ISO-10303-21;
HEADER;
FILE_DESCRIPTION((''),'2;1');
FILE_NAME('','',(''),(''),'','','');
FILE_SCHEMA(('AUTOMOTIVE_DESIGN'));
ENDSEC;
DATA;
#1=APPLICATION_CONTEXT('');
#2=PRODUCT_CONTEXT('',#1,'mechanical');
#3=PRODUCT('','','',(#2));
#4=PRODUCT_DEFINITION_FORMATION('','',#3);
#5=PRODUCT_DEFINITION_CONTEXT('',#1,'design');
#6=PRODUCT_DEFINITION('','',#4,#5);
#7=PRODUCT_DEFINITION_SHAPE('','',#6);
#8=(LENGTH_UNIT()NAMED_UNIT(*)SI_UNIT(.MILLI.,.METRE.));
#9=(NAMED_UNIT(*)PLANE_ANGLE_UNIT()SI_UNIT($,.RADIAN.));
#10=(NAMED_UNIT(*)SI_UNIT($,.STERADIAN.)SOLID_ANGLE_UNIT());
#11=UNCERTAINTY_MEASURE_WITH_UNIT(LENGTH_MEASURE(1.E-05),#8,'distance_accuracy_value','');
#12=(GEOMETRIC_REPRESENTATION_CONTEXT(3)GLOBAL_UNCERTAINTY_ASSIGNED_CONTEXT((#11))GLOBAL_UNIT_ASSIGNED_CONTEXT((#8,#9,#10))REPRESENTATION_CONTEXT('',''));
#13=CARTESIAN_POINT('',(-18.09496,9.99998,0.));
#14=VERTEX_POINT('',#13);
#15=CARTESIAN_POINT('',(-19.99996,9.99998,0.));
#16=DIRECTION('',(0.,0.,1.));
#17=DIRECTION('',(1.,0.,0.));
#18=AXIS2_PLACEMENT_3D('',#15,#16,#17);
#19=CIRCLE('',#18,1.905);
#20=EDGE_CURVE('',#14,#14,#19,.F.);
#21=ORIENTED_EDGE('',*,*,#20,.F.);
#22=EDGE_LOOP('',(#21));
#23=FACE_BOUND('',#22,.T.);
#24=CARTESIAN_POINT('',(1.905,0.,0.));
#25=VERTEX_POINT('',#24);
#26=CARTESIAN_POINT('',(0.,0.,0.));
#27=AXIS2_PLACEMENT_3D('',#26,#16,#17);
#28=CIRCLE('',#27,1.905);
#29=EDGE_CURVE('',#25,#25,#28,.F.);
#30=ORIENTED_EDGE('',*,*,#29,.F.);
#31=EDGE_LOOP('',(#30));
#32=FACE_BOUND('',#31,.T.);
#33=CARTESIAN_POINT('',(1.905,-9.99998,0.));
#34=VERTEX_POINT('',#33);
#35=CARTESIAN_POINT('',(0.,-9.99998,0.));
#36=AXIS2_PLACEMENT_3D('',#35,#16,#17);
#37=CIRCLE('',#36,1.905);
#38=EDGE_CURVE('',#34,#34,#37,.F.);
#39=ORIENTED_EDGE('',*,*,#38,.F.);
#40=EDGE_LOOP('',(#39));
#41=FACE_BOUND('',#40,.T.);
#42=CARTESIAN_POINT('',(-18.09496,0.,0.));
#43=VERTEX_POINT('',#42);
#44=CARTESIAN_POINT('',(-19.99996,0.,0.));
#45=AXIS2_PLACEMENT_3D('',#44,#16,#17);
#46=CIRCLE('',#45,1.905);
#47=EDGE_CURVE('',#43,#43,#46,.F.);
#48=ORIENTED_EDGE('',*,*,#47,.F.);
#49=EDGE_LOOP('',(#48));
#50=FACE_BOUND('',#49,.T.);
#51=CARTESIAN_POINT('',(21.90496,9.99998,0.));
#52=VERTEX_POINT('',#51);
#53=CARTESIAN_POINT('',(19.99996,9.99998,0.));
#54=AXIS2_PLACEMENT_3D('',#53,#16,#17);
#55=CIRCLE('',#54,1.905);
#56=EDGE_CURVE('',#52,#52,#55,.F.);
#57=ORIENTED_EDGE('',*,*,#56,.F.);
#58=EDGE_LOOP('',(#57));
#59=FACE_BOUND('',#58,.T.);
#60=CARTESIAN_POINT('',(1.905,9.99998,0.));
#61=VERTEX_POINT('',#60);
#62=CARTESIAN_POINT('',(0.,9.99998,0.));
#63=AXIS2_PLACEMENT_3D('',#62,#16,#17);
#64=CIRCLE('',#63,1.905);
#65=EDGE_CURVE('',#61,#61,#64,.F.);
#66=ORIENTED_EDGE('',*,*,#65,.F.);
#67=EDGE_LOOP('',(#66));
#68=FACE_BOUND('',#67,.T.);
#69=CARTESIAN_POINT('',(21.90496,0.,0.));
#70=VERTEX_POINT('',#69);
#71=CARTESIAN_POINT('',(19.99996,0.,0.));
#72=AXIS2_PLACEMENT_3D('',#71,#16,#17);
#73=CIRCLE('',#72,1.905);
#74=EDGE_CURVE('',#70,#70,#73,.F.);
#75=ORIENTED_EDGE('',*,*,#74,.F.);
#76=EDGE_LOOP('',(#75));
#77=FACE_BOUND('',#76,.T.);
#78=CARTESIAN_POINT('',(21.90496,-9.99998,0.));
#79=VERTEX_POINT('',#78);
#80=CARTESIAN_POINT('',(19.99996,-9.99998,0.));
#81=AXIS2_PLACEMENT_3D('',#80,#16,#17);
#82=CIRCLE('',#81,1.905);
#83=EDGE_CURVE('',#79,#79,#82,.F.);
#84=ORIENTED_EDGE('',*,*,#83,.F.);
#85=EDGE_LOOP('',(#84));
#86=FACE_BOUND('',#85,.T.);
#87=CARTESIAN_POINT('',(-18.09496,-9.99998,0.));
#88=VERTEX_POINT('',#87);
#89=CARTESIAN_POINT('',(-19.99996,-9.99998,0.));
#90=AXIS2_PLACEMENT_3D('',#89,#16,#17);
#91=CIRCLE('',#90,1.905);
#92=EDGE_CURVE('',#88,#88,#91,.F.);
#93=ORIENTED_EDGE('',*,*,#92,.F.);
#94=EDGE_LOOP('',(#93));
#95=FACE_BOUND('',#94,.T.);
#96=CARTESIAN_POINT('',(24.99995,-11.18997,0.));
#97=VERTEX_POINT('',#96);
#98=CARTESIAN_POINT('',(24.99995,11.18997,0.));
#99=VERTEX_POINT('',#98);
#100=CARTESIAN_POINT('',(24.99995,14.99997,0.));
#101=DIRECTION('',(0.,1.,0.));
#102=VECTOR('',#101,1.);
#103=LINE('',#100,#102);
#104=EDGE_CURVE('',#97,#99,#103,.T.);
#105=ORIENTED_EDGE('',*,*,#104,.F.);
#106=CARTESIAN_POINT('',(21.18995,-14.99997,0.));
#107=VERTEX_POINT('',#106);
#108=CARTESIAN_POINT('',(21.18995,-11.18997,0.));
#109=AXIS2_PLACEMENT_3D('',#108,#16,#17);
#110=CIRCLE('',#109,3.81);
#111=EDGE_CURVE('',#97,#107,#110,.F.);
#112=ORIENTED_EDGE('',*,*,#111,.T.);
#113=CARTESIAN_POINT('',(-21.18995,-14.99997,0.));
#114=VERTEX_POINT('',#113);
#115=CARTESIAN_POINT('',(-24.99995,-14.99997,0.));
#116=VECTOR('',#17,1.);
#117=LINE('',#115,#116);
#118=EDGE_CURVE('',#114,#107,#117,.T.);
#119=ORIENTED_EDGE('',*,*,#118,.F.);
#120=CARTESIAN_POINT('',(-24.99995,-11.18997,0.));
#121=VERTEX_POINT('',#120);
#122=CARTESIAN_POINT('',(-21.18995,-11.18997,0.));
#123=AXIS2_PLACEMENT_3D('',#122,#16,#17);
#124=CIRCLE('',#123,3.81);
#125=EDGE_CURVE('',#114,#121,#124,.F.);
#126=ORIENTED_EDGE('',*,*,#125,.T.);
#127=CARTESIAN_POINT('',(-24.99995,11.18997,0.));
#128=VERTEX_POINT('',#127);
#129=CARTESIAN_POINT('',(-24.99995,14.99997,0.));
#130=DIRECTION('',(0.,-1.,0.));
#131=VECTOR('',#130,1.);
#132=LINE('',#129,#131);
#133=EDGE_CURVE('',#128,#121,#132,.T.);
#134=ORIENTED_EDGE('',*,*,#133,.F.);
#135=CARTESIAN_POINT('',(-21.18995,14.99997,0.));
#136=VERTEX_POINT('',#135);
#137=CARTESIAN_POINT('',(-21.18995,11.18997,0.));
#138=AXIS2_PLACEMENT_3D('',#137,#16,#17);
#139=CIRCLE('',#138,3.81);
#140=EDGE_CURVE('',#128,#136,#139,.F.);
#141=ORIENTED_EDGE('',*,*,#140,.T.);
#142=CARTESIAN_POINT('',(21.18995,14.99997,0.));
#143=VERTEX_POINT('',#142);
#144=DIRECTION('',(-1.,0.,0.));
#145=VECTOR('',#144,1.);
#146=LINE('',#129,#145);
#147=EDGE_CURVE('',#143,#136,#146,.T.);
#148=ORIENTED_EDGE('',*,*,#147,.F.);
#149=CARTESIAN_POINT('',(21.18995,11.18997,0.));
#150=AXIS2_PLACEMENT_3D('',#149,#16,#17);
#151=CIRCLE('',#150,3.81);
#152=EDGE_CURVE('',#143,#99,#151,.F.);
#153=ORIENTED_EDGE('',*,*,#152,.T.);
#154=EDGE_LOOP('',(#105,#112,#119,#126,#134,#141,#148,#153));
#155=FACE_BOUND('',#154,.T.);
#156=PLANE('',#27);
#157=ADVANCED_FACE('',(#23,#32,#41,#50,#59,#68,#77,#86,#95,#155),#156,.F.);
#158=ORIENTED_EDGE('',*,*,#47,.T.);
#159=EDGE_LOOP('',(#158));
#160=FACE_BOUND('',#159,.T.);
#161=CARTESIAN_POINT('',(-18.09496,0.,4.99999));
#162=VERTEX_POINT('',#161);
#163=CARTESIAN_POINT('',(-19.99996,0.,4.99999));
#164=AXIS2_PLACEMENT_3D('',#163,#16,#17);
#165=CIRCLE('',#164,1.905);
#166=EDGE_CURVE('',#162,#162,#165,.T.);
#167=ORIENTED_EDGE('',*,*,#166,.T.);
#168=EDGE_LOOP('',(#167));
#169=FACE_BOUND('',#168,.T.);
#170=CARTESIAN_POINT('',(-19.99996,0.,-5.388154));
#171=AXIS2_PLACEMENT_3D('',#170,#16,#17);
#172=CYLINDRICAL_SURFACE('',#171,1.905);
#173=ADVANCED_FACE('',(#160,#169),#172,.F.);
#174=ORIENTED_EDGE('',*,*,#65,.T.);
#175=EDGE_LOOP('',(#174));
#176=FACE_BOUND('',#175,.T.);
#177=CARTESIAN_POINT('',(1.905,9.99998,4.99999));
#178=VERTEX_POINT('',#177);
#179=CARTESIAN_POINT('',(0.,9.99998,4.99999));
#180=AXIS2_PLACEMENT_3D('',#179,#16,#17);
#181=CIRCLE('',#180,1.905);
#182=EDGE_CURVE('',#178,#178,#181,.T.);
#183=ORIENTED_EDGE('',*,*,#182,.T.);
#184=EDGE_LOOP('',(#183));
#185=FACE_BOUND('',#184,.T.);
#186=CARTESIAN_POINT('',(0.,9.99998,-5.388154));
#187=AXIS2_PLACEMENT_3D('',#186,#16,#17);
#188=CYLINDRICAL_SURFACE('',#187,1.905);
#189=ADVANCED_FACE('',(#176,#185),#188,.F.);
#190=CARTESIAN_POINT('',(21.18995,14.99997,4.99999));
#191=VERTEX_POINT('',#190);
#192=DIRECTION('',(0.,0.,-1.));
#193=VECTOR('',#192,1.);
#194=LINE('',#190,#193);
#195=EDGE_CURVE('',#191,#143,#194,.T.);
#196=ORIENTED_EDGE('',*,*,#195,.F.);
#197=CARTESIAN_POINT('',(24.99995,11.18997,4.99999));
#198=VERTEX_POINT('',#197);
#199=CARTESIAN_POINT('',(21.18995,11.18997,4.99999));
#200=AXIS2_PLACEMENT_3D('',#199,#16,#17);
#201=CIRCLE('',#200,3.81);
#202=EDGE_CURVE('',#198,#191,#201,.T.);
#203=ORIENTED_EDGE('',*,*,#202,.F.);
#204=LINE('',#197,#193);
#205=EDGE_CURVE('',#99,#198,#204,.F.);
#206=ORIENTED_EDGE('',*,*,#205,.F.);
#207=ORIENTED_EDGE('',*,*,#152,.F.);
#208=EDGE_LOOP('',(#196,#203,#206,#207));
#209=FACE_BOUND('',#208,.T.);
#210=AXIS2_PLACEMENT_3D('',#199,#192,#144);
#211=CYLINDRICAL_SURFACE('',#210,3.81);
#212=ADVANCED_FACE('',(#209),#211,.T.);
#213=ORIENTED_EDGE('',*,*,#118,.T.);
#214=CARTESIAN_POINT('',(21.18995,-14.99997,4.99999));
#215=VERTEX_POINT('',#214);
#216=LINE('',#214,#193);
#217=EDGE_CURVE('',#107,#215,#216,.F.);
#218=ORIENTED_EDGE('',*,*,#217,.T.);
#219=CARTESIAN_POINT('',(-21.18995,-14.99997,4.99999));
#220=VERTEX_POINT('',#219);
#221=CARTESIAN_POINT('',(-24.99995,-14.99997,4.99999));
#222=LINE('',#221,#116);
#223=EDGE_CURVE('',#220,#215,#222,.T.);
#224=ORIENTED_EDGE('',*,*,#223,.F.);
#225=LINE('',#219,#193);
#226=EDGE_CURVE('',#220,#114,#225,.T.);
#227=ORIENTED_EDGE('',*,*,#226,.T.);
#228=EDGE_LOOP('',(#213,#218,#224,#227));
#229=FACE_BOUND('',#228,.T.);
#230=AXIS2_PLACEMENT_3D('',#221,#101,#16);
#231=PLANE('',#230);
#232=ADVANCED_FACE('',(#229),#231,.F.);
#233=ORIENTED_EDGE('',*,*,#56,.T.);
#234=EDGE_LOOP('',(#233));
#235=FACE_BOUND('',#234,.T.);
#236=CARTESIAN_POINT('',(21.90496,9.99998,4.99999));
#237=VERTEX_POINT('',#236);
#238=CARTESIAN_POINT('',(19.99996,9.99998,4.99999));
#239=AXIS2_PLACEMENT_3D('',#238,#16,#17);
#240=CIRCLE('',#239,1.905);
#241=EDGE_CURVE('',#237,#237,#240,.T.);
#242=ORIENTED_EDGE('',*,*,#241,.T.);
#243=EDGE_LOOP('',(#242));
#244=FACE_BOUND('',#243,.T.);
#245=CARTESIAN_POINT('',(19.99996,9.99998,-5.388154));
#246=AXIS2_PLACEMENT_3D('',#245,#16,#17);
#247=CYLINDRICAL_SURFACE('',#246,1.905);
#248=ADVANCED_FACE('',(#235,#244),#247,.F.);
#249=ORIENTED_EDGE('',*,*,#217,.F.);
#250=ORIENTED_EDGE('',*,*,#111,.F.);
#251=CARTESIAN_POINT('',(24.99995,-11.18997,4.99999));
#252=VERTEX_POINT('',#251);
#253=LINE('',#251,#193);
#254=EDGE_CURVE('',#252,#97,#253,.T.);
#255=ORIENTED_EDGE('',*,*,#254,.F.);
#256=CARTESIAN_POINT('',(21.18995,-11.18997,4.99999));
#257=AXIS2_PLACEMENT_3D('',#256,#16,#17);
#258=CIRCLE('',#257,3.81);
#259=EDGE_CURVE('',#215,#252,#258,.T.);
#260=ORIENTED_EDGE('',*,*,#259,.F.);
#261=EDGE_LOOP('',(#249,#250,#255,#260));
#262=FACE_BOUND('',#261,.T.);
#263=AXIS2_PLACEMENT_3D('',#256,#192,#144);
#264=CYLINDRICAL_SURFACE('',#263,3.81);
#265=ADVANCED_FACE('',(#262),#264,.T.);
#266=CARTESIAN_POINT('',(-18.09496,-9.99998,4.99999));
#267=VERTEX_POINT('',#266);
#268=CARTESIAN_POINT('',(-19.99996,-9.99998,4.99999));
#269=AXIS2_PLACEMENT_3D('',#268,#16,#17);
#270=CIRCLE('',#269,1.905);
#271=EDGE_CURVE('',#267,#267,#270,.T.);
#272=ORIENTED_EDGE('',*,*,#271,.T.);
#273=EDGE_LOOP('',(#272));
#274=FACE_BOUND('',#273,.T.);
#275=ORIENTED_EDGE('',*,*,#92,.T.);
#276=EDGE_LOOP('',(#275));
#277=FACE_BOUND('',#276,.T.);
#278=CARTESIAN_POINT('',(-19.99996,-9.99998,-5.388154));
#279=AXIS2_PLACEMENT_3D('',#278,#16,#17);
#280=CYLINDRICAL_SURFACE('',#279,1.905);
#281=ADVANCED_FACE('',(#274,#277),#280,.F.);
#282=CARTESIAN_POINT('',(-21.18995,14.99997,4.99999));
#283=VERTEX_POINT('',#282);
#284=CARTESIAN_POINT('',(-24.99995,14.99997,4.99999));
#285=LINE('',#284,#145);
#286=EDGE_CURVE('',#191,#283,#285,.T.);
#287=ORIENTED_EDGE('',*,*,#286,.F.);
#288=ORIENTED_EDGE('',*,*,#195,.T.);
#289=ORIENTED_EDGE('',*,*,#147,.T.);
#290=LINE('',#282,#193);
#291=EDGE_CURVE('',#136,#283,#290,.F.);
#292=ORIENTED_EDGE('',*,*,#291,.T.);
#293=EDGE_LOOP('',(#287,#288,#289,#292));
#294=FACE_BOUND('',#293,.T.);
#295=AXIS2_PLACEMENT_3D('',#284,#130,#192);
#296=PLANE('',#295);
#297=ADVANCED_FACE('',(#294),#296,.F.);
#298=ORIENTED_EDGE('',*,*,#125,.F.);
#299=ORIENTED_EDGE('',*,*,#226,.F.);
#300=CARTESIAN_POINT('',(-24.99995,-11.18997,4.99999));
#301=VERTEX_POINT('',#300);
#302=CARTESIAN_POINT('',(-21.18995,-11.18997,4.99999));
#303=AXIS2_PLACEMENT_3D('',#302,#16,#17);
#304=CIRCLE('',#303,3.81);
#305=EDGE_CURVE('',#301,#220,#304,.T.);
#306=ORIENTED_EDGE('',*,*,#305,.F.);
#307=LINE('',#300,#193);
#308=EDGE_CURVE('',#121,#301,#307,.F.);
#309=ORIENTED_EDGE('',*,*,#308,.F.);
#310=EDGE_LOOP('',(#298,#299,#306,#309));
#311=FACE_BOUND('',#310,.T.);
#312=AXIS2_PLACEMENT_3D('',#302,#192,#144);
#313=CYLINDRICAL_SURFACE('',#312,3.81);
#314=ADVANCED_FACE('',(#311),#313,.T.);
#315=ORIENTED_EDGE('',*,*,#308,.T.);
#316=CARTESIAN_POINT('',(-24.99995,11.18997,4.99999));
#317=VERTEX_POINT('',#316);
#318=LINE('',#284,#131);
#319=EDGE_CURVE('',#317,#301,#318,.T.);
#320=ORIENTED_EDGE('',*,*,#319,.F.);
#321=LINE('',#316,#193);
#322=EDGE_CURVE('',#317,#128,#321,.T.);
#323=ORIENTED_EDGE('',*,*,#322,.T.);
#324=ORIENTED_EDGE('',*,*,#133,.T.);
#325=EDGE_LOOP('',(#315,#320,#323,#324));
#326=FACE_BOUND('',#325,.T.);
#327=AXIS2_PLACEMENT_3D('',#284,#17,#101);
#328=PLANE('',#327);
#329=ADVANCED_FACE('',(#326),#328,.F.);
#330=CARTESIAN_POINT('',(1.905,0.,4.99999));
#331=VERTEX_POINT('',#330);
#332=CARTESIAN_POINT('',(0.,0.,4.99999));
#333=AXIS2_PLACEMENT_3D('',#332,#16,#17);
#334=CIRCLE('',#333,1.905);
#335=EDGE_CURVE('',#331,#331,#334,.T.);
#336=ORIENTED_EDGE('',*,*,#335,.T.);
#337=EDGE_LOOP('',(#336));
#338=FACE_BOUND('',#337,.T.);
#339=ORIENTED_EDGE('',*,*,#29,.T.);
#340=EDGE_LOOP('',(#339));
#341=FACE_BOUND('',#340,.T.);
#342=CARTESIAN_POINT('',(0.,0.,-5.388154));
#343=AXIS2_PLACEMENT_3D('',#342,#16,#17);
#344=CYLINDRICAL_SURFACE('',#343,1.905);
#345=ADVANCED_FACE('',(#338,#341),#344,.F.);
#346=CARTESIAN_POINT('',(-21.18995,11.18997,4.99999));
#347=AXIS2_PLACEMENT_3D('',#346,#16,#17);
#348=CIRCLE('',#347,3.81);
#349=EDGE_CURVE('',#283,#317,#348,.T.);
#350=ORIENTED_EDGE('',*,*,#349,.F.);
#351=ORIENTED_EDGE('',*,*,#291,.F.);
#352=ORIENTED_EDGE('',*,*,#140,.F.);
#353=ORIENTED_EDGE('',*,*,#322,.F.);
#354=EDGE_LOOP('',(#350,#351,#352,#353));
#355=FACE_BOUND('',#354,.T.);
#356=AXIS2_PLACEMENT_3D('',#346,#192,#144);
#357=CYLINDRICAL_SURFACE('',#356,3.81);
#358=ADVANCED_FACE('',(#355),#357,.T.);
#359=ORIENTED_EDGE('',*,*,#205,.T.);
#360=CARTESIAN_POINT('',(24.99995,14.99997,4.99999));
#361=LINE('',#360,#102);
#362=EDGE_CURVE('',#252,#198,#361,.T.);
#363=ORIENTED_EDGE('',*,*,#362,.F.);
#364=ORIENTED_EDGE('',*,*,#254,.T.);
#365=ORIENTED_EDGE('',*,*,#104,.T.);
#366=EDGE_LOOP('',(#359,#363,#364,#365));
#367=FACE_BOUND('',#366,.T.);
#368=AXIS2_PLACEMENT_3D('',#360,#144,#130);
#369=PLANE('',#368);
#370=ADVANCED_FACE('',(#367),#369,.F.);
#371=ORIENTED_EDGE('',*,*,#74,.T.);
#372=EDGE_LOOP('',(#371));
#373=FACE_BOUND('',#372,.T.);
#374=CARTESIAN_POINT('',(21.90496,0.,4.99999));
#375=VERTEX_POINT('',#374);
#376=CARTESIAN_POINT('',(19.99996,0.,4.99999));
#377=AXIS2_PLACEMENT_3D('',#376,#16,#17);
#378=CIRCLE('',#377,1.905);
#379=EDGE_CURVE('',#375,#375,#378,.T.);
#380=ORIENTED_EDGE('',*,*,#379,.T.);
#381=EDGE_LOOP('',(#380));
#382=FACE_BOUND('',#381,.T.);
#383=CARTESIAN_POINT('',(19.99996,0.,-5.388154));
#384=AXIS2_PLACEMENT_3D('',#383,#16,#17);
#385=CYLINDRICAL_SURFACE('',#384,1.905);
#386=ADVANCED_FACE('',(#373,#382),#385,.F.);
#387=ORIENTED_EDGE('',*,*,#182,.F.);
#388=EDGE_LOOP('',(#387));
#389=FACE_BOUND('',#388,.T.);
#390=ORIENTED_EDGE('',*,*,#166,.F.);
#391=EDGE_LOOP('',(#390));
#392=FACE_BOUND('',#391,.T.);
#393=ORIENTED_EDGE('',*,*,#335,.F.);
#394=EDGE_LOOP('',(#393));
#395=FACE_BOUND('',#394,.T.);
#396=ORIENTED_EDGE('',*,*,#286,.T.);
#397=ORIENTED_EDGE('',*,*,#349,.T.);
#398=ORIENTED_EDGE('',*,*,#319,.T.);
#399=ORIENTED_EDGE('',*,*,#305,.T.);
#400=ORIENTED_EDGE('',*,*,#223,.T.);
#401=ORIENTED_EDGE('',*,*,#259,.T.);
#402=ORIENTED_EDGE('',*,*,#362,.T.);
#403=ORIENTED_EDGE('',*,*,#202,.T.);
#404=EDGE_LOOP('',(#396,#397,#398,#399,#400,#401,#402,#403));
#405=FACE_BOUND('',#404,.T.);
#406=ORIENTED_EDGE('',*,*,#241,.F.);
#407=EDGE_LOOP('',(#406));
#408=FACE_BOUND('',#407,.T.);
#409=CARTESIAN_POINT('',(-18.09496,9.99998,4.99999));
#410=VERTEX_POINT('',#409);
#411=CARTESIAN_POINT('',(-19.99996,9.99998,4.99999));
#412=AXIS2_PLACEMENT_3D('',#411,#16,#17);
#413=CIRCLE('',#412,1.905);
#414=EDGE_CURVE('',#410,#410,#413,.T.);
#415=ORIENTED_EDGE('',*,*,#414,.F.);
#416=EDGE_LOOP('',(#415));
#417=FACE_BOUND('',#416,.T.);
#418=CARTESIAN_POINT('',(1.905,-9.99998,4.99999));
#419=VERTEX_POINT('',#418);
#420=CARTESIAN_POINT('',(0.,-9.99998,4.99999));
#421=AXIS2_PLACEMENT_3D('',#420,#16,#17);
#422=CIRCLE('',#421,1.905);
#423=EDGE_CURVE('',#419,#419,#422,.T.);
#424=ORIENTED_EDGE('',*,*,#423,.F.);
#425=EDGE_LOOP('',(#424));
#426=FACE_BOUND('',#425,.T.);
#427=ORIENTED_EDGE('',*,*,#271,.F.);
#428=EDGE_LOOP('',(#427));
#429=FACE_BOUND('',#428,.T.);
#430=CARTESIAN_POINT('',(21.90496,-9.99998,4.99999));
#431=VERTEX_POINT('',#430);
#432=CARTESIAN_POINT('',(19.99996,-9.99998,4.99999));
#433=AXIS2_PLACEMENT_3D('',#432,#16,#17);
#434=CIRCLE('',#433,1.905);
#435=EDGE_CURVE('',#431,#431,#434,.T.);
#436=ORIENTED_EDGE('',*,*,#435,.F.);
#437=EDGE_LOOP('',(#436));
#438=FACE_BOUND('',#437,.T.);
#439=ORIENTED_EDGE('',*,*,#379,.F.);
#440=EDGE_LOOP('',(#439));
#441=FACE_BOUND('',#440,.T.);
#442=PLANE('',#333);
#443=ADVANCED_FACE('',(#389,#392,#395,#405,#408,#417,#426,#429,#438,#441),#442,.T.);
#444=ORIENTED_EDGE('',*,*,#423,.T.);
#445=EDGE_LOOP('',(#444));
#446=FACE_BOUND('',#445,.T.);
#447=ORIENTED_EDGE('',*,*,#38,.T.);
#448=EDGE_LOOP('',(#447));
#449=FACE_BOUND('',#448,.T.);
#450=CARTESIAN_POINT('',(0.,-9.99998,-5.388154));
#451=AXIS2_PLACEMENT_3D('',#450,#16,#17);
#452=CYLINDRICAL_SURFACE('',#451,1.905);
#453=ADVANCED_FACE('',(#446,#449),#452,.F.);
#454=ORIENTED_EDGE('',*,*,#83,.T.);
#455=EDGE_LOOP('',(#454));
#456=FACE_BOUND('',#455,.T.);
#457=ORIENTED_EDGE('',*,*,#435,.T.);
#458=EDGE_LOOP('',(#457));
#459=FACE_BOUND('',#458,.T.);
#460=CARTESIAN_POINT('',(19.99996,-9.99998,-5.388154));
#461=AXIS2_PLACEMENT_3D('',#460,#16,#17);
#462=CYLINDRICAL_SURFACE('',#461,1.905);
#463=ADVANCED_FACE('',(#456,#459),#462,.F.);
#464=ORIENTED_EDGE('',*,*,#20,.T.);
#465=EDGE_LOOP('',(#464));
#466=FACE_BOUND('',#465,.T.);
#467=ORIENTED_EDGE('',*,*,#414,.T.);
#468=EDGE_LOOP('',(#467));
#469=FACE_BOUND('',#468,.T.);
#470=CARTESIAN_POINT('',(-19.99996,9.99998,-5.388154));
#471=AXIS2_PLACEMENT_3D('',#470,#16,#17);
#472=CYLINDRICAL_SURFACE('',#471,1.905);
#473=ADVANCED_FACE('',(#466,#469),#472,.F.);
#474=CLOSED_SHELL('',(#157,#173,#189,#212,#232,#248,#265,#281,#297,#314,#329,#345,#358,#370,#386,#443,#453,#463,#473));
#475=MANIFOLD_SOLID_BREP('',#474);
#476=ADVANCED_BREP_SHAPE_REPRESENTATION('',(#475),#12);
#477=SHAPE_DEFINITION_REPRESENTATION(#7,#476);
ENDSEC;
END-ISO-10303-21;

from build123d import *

# Parameters (mm, degrees)
SKETCH1_W                     = 49.9999
SKETCH1_H                     = 29.99994
BOSS_EXTRUDE1_DEPTH           = 4.99999
SKETCH2_R                     = 1.905
CUT_EXTRUDE1_DEPTH            = 4.99999
LPATTERN1_COUNT               = 2
LPATTERN1_PITCH               = 9.99998
LPATTERN1_COL_COUNT           = 2
LPATTERN1_COL_PITCH           = 9.99998
LPATTERN2_COUNT               = 2
LPATTERN2_PITCH               = 19.99996
LPATTERN2_COPY_1_SKETCH_R     = 1.905
LPATTERN2_COPY_1_DEPTH        = 4.99999
LPATTERN2_COPY_2_SKETCH_R     = 1.905
LPATTERN2_COPY_2_DEPTH        = 4.99999
LPATTERN2_COL_COUNT           = 2
LPATTERN2_COL_PITCH           = 19.99996
LPATTERN2_COL_COPY_1_SKETCH_R = 1.905
LPATTERN2_COL_COPY_1_DEPTH    = 4.99999
LPATTERN2_COL_COPY_2_SKETCH_R = 1.905
LPATTERN2_COL_COPY_2_DEPTH    = 4.99999
FILLET1_R                     = 3.81


with BuildPart() as part:
    # Sketch1 → Boss-Extrude1 (new body)
    with BuildSketch(Plane.XY):
        Rectangle(SKETCH1_W, SKETCH1_H)
    extrude(amount=BOSS_EXTRUDE1_DEPTH)

    # Sketch2 → Cut-Extrude1 (cut)
    with BuildSketch(Plane.XY.offset(4.99999)):
        Circle(SKETCH2_R)
    cut_extrude1 = extrude(amount=-CUT_EXTRUDE1_DEPTH, mode=Mode.SUBTRACT)

    # LPattern1: Cut-Extrude1 ×2
    with Locations(*[(0, i * LPATTERN1_PITCH, 0) for i in range(1, LPATTERN1_COUNT)]):
        add(cut_extrude1, mode=Mode.SUBTRACT)

    # LPattern1 col: Cut-Extrude1 ×2
    with Locations(*[(0, -i * LPATTERN1_COL_PITCH, 0) for i in range(1, LPATTERN1_COL_COUNT)]):
        add(cut_extrude1, mode=Mode.SUBTRACT)

    # LPattern2: Cut-Extrude1 ×2
    with Locations(*[(-i * LPATTERN2_PITCH, 0, 0) for i in range(1, LPATTERN2_COUNT)]):
        add(cut_extrude1, mode=Mode.SUBTRACT)

    # LPattern2 copy 1 sketch → LPattern2 copy 1 (cut)
    with BuildSketch(Plane(origin=(-19.99996, 9.99998, 4.99999), x_dir=(1, 0, 0), z_dir=(0, 0, 1))):
        Circle(LPATTERN2_COPY_1_SKETCH_R)
    extrude(amount=-LPATTERN2_COPY_1_DEPTH, mode=Mode.SUBTRACT)

    # LPattern2 copy 2 sketch → LPattern2 copy 2 (cut)
    with BuildSketch(Plane(origin=(-19.99996, -9.99998, 4.99999), x_dir=(1, 0, 0), z_dir=(0, 0, 1))):
        Circle(LPATTERN2_COPY_2_SKETCH_R)
    extrude(amount=-LPATTERN2_COPY_2_DEPTH, mode=Mode.SUBTRACT)

    # LPattern2 col: Cut-Extrude1 ×2
    with Locations(*[(i * LPATTERN2_COL_PITCH, 0, 0) for i in range(1, LPATTERN2_COL_COUNT)]):
        add(cut_extrude1, mode=Mode.SUBTRACT)

    # LPattern2 col copy 1 sketch → LPattern2 col copy 1 (cut)
    with BuildSketch(Plane(origin=(19.99996, 9.99998, 4.99999), x_dir=(1, 0, 0), z_dir=(0, 0, 1))):
        Circle(LPATTERN2_COL_COPY_1_SKETCH_R)
    extrude(amount=-LPATTERN2_COL_COPY_1_DEPTH, mode=Mode.SUBTRACT)

    # LPattern2 col copy 2 sketch → LPattern2 col copy 2 (cut)
    with BuildSketch(Plane(origin=(19.99996, -9.99998, 4.99999), x_dir=(1, 0, 0), z_dir=(0, 0, 1))):
        Circle(LPATTERN2_COL_COPY_2_SKETCH_R)
    extrude(amount=-LPATTERN2_COL_COPY_2_DEPTH, mode=Mode.SUBTRACT)

    # Fillet1
    fillet1_edges = [part.edges().sort_by_distance(p)[0] for p in [
        (24.99995, -14.99997, 2.499995),
        (-24.99995, -14.99997, 2.499995),
        (-24.99995, 14.99997, 2.499995),
        (24.99995, 14.99997, 2.499995),
    ]]
    fillet(fillet1_edges, radius=FILLET1_R)


solid = part.part
